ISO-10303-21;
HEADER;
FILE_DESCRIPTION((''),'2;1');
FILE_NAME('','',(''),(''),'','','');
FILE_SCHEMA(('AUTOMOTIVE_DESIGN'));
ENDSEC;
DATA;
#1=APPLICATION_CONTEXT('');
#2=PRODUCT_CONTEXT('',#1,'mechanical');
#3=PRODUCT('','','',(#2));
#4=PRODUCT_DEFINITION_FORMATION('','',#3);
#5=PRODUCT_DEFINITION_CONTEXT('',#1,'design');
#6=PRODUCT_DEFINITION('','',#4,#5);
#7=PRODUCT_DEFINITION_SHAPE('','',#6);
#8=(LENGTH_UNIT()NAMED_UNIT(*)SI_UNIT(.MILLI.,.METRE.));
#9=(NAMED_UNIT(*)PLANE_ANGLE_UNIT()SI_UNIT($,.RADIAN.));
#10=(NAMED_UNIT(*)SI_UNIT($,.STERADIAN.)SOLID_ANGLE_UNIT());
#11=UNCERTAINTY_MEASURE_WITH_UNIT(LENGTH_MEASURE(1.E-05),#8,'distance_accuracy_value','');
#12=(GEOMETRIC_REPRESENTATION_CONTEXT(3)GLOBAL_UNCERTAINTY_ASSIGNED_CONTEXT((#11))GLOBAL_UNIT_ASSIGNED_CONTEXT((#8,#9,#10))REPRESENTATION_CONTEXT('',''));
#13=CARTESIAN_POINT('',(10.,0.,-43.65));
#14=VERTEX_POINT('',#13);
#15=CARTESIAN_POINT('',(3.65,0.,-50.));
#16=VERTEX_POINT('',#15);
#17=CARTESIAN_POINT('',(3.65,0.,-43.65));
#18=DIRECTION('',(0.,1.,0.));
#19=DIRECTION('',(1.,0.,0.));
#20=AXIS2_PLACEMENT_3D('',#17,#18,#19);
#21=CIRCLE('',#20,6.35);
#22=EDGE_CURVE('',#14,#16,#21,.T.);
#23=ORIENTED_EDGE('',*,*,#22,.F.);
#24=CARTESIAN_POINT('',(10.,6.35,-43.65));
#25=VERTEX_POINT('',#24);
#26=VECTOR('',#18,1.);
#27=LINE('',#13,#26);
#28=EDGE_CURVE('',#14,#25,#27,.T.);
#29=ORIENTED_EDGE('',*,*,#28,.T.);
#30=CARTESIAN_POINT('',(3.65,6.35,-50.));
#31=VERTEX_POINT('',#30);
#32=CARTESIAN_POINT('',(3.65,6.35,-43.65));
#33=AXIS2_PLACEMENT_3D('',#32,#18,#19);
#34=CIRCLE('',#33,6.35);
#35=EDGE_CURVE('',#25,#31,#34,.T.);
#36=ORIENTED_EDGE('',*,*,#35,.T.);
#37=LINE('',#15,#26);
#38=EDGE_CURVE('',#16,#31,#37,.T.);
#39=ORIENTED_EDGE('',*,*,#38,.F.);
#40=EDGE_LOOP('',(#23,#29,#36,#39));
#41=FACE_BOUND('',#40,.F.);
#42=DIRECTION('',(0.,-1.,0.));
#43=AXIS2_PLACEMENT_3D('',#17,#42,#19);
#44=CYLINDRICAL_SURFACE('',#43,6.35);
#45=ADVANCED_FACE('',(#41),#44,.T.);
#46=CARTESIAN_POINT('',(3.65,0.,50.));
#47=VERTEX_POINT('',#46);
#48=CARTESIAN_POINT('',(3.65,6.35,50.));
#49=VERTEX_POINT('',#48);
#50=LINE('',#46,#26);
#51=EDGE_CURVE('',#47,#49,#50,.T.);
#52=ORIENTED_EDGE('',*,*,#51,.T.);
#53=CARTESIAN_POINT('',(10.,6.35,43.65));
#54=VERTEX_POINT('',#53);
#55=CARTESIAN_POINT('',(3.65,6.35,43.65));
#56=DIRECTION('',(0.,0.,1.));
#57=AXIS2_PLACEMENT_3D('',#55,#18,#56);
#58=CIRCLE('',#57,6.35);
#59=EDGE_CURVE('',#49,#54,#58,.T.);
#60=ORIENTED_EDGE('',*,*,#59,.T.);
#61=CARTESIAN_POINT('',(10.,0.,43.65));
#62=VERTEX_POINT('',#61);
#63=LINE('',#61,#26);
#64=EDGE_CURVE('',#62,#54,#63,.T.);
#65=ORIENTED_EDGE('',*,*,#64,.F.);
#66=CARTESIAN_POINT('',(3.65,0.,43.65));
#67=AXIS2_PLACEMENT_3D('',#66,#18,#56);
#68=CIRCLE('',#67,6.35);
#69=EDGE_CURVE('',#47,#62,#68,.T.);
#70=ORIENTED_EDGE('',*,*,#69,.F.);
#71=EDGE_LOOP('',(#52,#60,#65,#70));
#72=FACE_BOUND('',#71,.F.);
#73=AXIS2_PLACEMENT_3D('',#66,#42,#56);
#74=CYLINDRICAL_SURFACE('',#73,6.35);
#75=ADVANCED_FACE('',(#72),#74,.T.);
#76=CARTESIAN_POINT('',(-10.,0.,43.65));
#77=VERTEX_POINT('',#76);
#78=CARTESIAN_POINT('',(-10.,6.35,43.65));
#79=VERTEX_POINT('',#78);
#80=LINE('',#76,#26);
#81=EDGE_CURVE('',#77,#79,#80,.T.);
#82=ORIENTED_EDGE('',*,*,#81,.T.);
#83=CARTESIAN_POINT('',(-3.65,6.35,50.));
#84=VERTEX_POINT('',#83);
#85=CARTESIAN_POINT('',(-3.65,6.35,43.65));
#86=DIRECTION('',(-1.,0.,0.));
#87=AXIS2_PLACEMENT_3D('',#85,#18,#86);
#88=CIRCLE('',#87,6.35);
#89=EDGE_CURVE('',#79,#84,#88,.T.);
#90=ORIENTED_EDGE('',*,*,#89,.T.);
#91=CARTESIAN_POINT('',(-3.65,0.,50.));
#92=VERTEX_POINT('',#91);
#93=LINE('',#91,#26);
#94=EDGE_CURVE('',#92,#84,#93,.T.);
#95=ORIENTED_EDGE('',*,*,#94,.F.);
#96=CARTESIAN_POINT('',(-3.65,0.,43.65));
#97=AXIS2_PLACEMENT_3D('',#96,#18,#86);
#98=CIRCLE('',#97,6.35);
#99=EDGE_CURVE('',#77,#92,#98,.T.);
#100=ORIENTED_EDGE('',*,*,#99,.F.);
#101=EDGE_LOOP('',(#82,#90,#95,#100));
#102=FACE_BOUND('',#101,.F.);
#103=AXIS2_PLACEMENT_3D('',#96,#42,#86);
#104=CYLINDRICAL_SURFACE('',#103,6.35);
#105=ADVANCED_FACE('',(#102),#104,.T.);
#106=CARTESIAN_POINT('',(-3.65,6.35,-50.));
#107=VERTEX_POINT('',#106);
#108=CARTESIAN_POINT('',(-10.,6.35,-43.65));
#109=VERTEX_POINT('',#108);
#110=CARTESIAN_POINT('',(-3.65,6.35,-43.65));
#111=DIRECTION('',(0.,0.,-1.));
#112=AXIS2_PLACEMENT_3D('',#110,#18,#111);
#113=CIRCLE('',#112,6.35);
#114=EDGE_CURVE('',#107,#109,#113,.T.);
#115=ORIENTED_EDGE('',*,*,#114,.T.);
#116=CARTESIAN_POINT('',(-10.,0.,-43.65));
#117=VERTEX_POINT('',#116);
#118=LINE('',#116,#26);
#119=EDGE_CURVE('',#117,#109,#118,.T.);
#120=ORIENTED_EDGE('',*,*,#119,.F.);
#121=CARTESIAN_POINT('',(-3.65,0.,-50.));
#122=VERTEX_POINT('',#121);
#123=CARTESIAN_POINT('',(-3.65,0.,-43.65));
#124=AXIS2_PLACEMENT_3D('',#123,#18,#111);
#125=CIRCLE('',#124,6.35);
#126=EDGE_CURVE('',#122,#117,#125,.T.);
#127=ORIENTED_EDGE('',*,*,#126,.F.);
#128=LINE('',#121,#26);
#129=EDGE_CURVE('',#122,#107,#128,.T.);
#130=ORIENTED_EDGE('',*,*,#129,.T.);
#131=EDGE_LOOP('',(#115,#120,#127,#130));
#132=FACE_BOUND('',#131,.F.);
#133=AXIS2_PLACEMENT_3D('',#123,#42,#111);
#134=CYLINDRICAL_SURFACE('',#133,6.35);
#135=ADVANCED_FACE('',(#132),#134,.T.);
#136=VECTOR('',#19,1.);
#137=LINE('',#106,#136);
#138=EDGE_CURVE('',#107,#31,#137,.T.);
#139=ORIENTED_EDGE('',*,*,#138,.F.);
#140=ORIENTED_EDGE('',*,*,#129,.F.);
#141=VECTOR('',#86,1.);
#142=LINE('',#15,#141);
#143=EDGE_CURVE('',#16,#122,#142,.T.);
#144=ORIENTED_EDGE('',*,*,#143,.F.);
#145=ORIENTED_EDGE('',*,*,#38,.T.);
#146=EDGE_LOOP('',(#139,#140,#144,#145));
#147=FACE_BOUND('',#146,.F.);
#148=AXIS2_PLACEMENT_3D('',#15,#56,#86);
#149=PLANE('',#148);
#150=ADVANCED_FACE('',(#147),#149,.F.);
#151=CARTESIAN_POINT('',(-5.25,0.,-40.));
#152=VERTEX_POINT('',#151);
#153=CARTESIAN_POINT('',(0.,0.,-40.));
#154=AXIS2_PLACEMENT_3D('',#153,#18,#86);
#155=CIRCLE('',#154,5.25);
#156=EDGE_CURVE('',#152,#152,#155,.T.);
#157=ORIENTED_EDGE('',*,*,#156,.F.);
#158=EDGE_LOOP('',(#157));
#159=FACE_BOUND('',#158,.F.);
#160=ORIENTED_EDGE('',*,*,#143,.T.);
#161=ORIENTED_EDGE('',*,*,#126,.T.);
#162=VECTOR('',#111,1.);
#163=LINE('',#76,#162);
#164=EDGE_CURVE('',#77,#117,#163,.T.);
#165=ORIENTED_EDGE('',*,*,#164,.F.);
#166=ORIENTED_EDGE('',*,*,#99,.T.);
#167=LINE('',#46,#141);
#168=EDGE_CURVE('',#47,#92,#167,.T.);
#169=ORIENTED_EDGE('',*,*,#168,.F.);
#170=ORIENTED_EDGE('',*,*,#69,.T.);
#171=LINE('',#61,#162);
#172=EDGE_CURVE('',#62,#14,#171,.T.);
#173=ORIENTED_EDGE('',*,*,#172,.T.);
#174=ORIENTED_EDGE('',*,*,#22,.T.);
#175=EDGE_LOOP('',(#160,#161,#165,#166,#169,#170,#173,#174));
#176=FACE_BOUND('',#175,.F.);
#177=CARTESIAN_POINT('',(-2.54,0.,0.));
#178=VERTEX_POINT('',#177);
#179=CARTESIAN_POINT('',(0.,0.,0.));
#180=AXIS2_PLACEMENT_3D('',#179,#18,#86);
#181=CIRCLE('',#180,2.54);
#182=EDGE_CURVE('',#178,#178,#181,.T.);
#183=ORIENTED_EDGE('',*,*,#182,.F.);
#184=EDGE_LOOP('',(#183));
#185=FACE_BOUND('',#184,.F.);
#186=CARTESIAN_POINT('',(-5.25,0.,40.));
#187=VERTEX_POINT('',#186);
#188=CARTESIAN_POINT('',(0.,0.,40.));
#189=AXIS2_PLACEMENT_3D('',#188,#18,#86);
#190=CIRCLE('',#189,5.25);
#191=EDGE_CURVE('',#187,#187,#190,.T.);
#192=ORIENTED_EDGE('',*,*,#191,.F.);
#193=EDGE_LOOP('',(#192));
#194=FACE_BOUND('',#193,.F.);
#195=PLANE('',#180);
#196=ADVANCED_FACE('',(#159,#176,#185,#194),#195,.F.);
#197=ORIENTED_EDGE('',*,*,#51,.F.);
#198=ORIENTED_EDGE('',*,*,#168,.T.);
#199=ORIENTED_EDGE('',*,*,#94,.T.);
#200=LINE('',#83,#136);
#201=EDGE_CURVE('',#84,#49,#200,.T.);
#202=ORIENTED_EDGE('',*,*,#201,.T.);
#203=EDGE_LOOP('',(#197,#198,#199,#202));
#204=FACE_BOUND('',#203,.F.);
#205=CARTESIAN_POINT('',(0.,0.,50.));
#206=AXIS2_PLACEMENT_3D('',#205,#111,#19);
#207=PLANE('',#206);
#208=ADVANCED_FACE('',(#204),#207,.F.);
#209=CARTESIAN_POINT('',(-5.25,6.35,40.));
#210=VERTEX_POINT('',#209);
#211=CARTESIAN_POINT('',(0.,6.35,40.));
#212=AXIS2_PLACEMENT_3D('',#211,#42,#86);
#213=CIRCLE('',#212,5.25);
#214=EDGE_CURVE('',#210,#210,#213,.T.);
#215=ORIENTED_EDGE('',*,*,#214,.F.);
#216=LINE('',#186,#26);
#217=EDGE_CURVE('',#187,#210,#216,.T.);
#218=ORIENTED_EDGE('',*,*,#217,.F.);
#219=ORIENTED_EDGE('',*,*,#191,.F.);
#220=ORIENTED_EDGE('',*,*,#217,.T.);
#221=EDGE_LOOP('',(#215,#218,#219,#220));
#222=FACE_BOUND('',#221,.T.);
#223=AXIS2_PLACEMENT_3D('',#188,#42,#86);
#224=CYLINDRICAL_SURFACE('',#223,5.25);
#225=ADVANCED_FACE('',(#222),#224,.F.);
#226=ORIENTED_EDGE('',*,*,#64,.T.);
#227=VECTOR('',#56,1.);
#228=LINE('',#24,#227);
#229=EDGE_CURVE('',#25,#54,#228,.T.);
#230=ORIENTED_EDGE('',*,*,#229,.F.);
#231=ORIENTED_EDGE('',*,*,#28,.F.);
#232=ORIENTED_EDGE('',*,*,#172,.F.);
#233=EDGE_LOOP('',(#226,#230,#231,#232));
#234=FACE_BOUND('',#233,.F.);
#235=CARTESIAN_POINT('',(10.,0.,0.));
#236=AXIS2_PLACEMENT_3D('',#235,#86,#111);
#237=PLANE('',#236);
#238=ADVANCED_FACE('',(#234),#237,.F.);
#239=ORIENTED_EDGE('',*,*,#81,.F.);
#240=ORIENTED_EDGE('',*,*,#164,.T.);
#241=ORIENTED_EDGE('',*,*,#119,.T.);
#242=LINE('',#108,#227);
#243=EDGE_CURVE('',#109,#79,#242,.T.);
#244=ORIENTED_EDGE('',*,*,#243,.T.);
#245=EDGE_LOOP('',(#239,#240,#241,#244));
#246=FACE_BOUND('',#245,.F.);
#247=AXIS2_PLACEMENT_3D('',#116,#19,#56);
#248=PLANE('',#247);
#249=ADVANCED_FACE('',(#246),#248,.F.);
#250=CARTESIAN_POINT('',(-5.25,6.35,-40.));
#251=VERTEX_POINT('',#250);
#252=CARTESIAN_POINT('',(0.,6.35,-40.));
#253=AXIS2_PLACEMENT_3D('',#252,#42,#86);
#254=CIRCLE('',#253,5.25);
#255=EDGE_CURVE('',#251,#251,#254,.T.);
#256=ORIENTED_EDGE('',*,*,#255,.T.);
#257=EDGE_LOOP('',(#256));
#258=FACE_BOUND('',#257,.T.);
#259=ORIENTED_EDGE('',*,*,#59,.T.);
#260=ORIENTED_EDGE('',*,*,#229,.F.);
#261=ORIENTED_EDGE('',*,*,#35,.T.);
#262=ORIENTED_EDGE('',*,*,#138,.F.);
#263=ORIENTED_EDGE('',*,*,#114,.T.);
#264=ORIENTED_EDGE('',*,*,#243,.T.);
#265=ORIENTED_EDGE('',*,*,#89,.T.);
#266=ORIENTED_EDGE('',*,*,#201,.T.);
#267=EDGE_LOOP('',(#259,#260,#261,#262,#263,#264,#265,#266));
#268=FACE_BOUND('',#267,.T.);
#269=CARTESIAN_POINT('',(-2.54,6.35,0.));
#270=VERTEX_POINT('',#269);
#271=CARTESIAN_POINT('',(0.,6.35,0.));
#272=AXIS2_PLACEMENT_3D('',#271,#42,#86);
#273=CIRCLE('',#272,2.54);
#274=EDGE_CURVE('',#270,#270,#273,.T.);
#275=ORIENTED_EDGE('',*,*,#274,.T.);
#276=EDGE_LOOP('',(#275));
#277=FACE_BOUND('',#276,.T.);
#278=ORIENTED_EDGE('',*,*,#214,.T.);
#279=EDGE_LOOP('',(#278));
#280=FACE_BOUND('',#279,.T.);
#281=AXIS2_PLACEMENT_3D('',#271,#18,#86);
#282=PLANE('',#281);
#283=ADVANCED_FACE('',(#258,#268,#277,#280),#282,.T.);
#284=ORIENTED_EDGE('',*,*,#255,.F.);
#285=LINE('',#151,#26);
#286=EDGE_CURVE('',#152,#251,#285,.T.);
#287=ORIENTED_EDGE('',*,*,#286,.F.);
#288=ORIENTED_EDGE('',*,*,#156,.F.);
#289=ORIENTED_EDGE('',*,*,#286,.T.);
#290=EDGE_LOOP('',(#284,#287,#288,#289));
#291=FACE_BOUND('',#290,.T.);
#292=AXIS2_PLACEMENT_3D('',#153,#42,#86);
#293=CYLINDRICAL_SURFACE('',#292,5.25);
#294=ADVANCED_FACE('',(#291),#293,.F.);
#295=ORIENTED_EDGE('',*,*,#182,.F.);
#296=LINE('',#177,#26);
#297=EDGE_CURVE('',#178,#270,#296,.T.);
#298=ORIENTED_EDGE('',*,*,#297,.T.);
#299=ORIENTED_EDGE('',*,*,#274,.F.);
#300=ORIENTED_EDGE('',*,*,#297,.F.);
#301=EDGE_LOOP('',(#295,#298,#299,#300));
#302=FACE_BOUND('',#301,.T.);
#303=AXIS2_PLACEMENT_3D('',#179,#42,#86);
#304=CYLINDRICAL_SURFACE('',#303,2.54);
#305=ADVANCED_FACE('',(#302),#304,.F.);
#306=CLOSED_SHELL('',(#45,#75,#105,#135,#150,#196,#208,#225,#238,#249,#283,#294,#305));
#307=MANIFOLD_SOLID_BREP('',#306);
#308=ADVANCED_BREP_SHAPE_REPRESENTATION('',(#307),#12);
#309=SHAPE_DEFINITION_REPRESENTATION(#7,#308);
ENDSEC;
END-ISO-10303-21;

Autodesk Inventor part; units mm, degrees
ref_plane "YZ Plane" through (0, 0, 0) normal (1, 0, 0) x (0, 1, 0)
ref_plane "XZ Plane" through (0, 0, 0) normal (0, 1, 0) x (-1, 0, 0)
ref_plane "XY Plane" through (0, 0, 0) normal (0, 0, 1) x (1, 0, 0)
sketch "Sketch1" plane through (0, 0, 0) normal (0, 1, 0) x (-1, 0, 0)
  line L0 (-3.65, -50) -> (3.65, -50)
  line L1 (10, -43.65) -> (10, 43.65)
  line L2 (3.65, 50) -> (-3.65, 50)
  line L3 (-10, 43.65) -> (-10, -43.65)
  line L4 (-10, -50) -> (10, 50) construction
  line L5 (10, -50) -> (-10, 50) construction
  line L6 (37.1563, 0) -> (-27.0395, 0)
  circle A0 centre (0, 40) radius 5.25
  line L7 (0, 56.6322) -> (0, -75.9879)
  circle A1 centre (0, -40) radius 5.25
  arc A2 (10, 43.65) -> (3.65, 50) centre (3.65, 43.65) ccw
  arc A3 (-3.65, 50) -> (-10, 43.65) centre (-3.65, 43.65) ccw
  arc A4 (-10, -43.65) -> (-3.65, -50) centre (-3.65, -43.65) ccw
  arc A5 (3.65, -50) -> (10, -43.65) centre (3.65, -43.65) ccw
  circle A6 centre (0, 0) radius 2.54
  point P0 (0, 0)
  dimension "d0" = 100
  dimension "d1" = 20
  dimension "d2" = 10.5
  dimension "d3" = 80
  dimension "d4" = 6.35
  dimension "d7" = 5.08
extrude "Extrusion1" add sketch "Sketch1" along normal blind 6.35 contours A4 L3 L6 A6 L7 A1 L0 | L7 A1 A6 L6 L1 A5 L0 | L3 A3 L2 L7 A0 A6 L6 | L6 A6 L7 A0 L2 A2 L1
properties part number "Support_Plate"
